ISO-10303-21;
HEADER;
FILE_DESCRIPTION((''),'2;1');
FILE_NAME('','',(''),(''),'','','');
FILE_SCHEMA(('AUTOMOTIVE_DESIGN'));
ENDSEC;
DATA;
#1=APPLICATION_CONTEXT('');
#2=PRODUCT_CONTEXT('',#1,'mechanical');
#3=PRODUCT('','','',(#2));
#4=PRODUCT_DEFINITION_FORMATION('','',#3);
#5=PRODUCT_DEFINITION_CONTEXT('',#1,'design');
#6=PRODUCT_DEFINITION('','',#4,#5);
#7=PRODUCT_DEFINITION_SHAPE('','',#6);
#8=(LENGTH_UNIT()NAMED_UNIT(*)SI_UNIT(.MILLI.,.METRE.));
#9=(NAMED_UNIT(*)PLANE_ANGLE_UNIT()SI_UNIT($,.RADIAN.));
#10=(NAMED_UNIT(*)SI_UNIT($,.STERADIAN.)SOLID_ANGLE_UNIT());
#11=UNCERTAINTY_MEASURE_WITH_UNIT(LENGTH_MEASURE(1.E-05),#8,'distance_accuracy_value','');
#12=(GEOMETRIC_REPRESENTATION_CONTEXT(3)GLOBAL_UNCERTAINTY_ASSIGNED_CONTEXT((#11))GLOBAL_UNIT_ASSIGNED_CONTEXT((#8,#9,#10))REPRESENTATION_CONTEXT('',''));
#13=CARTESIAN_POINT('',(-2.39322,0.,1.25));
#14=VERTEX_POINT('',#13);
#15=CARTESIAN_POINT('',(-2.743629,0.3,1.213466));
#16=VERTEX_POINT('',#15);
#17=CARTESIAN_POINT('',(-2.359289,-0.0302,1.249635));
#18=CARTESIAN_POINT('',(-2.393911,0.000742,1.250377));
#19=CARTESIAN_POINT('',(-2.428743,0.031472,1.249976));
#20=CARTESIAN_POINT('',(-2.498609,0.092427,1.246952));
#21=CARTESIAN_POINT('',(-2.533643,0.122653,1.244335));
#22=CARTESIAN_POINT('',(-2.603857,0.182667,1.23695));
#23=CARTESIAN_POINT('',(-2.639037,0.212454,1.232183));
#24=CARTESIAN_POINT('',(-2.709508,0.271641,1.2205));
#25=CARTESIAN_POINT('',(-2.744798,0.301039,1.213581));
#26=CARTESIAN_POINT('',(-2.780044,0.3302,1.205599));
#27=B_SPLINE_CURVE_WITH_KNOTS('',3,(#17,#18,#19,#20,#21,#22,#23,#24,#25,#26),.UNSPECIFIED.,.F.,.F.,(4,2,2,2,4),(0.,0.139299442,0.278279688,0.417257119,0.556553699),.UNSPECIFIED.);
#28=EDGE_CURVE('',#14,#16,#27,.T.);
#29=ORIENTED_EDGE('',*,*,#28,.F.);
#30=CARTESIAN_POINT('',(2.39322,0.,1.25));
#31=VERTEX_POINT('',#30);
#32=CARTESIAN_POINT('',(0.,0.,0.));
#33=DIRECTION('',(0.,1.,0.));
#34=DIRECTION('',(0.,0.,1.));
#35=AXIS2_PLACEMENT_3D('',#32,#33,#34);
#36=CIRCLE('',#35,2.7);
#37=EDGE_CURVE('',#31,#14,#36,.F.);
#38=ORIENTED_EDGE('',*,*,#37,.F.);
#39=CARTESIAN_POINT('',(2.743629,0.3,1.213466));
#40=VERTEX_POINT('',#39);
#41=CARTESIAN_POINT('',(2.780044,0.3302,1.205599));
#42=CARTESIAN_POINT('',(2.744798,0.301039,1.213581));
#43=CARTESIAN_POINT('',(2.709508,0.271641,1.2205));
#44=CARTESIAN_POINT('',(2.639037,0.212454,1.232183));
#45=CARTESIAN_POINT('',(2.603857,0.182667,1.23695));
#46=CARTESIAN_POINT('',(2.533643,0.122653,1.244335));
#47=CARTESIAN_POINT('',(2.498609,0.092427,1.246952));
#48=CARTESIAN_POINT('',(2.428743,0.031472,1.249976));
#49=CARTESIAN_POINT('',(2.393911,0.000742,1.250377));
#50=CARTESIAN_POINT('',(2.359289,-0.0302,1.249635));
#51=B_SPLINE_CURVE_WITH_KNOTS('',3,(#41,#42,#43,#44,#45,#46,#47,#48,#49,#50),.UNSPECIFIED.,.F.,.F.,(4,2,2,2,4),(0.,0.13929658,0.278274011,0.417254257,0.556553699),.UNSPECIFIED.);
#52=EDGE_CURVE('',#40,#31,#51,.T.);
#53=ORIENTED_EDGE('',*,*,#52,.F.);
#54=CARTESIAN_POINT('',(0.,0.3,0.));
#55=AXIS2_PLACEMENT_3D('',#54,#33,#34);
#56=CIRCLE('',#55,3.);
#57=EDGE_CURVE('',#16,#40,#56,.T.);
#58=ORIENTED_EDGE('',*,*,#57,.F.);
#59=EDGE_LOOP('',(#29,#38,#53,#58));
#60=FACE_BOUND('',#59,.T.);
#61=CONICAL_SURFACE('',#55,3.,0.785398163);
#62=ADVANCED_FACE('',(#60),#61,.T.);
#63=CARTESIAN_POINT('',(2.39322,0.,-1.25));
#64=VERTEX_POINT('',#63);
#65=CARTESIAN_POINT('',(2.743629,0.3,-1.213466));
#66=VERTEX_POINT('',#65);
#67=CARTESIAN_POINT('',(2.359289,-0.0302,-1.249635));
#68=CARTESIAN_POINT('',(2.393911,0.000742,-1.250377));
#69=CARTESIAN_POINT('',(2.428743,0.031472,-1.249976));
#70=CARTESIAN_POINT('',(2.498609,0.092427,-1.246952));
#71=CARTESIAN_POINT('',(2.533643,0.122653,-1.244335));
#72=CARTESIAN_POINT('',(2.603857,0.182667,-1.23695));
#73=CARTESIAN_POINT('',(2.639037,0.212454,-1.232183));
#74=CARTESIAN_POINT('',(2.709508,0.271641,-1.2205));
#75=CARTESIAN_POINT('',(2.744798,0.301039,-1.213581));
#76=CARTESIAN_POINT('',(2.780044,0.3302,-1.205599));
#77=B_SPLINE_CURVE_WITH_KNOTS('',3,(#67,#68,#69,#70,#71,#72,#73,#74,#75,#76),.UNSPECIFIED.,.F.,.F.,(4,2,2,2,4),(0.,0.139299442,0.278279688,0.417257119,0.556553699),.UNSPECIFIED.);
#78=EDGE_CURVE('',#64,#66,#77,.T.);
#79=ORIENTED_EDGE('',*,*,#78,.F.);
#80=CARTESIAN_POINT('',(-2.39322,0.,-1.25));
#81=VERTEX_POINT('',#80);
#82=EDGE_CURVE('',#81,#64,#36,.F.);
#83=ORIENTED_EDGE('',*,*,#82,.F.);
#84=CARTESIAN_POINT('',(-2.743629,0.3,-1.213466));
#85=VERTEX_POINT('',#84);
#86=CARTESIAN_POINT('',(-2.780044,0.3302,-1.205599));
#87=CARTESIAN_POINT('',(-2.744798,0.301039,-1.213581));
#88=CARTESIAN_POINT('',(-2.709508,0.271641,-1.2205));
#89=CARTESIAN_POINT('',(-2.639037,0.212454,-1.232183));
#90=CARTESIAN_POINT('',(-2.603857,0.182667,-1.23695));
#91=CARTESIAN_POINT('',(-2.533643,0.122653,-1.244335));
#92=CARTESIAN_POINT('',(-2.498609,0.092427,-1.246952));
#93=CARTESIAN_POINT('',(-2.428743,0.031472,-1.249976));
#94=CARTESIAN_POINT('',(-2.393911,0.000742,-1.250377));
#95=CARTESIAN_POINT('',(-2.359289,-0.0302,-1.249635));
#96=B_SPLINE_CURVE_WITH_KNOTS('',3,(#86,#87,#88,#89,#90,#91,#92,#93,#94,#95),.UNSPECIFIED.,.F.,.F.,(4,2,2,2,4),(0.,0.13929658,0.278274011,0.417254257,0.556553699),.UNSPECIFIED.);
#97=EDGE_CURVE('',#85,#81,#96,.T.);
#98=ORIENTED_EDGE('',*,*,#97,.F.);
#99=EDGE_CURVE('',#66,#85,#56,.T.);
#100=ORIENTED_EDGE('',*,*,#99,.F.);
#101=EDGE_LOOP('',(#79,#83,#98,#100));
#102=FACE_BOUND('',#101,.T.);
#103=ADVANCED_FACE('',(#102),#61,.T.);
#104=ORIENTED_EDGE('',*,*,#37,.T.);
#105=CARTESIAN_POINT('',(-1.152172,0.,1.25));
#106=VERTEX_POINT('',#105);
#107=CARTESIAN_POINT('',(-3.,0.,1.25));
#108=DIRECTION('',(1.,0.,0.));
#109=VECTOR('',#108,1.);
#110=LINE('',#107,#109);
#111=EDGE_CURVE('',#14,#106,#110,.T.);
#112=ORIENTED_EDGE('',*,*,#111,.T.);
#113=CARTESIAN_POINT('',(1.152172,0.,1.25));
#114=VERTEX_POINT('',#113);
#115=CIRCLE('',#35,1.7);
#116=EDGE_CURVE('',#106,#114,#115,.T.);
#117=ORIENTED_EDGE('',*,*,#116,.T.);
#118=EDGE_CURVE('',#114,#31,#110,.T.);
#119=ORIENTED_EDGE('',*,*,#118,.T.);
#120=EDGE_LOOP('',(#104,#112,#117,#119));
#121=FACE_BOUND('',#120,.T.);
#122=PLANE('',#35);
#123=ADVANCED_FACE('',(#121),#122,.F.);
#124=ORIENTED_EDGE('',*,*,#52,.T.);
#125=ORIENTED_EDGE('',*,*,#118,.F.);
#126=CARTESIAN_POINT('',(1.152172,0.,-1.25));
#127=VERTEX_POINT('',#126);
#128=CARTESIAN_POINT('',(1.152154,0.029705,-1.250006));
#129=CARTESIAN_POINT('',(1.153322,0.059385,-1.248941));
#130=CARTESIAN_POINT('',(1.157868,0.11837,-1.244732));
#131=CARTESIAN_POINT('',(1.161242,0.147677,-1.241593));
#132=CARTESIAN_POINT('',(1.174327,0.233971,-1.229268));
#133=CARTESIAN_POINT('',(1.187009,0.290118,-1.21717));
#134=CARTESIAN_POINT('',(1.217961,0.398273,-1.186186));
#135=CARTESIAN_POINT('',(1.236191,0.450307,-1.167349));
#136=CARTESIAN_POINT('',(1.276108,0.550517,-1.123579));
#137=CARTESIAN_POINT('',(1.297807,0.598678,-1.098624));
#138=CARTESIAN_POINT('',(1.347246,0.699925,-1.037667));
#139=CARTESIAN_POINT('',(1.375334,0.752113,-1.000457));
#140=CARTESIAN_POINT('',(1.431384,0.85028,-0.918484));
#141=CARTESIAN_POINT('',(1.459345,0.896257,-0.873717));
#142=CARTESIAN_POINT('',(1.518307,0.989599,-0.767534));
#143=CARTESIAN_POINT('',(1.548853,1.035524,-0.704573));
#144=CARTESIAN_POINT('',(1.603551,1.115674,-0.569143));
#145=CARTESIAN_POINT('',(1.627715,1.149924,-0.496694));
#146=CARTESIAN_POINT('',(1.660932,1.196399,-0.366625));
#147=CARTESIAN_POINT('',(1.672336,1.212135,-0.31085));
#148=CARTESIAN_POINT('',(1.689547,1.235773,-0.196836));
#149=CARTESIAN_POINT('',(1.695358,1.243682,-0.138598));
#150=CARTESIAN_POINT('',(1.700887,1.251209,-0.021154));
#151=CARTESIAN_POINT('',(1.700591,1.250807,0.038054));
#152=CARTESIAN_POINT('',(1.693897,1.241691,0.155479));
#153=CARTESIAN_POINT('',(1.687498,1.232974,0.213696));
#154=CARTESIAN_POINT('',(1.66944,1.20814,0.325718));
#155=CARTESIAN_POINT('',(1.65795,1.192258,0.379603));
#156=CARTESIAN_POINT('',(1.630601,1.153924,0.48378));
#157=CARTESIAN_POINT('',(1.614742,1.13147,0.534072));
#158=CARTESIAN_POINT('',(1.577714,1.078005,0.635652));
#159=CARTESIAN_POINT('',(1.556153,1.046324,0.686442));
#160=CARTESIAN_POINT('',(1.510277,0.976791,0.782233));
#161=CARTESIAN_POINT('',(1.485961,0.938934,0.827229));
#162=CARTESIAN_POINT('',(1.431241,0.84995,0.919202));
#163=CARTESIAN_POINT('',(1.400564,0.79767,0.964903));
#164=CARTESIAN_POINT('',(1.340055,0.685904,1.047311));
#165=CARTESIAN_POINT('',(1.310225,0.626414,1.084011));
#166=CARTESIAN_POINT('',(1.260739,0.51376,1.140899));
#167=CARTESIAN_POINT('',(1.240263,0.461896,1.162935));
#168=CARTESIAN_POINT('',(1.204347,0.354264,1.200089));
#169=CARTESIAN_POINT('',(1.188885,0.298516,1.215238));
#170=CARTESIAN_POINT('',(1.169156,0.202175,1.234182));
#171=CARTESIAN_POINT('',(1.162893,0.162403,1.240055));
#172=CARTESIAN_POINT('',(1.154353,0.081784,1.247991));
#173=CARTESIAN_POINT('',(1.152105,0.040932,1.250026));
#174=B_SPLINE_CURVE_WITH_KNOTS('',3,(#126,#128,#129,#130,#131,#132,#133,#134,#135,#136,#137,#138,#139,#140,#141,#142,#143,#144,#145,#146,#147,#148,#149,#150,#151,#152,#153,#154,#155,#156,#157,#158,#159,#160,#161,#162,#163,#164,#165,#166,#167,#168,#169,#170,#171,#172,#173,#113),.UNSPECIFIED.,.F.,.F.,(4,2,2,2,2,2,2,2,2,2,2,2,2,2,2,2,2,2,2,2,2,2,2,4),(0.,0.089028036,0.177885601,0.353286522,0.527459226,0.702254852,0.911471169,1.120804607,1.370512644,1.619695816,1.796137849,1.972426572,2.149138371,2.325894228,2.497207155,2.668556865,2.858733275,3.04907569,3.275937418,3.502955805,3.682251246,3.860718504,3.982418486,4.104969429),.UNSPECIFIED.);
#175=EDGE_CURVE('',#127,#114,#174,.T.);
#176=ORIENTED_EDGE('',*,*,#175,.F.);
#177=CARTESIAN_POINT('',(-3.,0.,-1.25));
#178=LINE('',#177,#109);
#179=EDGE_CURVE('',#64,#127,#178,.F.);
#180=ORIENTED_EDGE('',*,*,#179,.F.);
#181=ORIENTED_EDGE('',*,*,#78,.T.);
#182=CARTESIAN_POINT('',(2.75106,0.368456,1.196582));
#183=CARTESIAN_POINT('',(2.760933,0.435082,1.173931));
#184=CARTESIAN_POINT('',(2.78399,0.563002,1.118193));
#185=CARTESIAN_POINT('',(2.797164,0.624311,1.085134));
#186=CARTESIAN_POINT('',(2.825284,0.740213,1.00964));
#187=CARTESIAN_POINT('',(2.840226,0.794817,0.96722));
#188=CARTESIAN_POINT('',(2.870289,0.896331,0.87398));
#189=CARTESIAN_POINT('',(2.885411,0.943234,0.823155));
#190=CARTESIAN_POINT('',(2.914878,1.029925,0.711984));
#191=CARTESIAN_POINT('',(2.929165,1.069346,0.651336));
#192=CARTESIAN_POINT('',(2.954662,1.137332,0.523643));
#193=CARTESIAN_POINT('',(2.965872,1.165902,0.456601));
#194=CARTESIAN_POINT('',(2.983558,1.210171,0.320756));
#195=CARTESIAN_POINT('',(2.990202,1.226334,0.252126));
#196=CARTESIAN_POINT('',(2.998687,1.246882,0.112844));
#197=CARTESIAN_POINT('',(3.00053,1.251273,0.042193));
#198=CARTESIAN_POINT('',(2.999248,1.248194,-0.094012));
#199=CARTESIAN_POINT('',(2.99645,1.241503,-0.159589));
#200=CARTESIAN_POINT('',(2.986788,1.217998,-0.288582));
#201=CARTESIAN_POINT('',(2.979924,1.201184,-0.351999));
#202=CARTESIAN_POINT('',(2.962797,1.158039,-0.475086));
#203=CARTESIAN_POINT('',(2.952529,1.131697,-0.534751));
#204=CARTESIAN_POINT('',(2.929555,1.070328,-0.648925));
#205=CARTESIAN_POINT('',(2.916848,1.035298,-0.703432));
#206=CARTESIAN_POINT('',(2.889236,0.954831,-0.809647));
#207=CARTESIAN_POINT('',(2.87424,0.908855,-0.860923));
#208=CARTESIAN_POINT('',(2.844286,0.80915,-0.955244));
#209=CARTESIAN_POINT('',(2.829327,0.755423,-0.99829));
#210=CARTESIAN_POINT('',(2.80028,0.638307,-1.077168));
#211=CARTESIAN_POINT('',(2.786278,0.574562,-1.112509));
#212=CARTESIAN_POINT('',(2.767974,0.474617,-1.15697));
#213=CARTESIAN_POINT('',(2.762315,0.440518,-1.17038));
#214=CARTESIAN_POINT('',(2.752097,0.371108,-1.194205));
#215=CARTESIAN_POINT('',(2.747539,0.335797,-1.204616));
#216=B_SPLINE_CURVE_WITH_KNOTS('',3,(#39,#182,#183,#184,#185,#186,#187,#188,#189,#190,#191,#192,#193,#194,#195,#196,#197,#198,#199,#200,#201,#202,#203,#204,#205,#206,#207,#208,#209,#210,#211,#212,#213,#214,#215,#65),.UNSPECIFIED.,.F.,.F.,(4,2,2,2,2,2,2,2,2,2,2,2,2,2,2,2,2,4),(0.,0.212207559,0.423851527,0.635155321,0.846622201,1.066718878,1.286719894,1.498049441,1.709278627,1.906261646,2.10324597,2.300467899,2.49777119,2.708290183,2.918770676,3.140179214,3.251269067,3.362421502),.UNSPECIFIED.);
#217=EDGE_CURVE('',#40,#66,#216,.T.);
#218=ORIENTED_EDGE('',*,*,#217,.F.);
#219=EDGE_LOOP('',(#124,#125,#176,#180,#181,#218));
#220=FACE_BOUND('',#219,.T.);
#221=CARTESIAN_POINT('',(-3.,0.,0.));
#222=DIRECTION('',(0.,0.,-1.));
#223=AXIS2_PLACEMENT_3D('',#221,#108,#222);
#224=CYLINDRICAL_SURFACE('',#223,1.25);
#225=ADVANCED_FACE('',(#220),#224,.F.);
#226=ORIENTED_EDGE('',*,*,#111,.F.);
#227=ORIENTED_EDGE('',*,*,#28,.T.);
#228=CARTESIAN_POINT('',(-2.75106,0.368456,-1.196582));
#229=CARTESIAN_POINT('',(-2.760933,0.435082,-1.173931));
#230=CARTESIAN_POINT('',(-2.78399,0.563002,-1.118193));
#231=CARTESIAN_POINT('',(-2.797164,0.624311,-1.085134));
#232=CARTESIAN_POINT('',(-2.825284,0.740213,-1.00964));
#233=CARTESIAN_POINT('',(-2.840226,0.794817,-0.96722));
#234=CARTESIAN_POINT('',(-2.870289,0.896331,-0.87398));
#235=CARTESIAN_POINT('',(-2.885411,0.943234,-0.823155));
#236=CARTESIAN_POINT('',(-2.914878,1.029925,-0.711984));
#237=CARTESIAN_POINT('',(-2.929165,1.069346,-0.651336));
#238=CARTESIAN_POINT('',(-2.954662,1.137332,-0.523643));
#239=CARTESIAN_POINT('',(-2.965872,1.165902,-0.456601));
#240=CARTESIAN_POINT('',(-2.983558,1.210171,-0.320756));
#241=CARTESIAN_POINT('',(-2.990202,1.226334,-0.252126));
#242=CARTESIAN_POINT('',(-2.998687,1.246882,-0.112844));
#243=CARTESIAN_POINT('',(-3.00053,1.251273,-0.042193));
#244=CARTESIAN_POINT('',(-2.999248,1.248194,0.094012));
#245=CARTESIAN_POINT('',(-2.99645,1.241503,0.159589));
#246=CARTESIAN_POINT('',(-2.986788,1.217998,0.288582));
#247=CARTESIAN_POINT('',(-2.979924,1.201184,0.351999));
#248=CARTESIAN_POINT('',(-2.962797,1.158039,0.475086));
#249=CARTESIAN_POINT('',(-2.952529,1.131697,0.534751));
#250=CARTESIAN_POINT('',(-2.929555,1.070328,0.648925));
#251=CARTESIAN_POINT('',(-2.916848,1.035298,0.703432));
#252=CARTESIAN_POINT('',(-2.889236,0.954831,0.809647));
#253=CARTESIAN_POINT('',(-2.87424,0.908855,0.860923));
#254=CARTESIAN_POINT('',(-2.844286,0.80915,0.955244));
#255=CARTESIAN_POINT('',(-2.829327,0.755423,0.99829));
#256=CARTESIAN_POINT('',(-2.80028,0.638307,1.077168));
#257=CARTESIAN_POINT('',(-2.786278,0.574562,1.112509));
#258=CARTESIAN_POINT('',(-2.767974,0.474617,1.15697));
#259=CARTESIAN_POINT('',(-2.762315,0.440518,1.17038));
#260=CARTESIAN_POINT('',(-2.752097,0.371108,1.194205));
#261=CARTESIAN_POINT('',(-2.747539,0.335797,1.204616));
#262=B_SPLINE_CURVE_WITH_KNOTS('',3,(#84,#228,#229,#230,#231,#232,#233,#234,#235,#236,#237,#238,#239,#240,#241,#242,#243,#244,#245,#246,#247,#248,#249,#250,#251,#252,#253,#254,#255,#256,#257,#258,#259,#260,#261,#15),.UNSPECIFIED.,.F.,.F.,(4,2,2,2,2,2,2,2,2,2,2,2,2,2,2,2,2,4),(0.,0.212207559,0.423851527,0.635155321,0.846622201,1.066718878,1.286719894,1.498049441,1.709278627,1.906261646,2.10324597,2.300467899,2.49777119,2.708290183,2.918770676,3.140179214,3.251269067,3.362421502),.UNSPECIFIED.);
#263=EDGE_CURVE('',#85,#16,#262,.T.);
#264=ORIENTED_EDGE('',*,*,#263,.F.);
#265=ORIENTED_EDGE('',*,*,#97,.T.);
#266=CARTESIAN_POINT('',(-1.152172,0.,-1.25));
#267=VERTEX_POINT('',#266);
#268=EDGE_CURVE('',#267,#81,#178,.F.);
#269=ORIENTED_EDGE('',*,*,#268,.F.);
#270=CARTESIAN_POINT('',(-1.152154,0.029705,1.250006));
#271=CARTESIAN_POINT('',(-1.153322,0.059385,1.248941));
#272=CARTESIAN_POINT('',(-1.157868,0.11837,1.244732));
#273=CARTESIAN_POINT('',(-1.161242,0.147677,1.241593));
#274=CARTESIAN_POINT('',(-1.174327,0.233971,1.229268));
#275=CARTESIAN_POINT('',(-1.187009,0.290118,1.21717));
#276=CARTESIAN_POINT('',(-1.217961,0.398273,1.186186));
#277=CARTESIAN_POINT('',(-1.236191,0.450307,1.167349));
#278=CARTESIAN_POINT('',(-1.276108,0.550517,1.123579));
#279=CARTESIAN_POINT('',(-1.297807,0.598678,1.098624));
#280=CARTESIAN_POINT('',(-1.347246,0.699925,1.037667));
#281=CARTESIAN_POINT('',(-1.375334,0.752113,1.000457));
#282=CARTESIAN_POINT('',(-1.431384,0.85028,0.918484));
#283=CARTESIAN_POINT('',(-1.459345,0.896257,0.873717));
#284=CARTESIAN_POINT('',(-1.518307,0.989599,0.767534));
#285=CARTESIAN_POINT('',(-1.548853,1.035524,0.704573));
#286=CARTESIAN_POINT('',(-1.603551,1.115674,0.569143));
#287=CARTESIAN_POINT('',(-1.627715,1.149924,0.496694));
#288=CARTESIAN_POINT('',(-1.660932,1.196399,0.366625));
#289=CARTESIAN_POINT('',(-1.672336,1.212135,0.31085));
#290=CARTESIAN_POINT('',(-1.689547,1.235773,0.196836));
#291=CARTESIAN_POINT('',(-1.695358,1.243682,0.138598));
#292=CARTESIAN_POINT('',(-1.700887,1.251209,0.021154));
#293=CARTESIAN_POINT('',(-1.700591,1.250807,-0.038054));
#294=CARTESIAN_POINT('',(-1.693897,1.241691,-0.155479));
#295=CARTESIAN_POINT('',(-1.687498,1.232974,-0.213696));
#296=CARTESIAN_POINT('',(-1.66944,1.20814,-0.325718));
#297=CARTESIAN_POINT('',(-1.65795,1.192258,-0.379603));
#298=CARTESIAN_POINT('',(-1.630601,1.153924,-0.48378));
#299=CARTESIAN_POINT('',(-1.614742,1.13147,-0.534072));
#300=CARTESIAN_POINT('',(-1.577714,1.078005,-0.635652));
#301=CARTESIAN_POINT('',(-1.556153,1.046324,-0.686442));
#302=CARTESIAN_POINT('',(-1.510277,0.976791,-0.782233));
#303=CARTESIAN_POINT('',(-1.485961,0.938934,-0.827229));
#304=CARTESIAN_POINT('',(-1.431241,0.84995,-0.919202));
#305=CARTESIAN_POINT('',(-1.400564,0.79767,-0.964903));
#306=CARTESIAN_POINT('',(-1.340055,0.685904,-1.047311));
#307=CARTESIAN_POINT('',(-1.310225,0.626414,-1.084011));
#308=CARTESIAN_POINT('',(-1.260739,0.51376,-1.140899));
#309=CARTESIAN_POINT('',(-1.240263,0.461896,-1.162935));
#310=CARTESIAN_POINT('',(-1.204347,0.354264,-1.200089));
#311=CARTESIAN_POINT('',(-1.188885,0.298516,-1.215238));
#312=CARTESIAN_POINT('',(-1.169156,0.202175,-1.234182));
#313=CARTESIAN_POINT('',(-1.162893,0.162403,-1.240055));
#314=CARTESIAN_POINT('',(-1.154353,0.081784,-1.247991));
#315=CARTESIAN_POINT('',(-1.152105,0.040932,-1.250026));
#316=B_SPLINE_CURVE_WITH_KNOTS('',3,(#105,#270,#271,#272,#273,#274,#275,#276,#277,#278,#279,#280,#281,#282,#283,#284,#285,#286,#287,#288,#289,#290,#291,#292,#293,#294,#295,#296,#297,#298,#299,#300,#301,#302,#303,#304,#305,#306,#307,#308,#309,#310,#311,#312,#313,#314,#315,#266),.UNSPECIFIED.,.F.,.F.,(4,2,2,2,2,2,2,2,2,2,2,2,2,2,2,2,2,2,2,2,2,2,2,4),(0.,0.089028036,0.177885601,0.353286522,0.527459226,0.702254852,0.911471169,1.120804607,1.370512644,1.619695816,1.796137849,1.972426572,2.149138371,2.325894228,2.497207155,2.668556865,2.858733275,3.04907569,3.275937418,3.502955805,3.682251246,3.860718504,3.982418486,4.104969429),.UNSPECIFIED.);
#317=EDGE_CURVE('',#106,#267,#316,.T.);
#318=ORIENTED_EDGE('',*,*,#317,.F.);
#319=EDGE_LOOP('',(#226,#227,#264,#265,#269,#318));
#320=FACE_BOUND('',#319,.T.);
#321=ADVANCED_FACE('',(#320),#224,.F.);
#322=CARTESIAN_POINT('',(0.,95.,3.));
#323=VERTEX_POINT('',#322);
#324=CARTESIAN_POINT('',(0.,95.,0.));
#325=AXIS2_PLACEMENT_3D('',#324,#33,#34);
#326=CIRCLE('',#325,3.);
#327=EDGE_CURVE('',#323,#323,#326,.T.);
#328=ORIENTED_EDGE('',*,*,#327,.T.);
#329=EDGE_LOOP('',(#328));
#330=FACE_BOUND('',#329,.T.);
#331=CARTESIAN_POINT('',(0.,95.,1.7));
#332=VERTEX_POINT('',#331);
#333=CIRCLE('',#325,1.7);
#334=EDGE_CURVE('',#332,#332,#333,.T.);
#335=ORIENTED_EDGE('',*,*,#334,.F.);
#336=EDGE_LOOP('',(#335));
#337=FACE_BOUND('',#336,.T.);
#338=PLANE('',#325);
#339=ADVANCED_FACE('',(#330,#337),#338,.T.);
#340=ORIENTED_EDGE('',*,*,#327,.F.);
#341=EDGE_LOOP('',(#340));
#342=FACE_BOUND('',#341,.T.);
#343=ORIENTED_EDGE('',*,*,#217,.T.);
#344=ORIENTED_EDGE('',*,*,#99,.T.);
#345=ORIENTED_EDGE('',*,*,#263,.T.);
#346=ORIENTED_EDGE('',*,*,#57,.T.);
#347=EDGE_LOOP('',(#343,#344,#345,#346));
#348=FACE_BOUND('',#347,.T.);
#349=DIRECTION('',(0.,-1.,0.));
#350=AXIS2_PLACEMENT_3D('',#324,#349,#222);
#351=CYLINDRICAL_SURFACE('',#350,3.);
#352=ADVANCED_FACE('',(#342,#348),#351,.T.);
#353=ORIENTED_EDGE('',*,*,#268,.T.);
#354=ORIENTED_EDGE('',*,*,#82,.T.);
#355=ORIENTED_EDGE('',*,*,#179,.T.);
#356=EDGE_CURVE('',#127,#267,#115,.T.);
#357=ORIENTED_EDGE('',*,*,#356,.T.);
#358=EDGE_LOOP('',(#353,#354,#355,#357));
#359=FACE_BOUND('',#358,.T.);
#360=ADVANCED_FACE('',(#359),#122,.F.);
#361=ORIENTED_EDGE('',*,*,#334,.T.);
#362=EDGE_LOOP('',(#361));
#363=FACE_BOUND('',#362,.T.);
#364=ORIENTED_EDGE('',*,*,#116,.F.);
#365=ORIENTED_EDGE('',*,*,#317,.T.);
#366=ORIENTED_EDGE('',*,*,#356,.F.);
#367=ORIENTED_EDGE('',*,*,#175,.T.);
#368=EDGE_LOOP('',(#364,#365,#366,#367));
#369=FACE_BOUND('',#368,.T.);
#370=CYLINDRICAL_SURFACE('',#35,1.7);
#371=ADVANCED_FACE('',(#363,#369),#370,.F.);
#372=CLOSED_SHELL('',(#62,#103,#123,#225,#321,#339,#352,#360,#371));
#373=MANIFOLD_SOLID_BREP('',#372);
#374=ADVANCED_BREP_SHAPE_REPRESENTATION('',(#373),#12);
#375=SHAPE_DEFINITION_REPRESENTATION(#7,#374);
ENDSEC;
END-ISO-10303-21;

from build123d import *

# Parameters (mm, degrees)
SKETCH1_R               = 3
BOSS_EXTRUDE1_DEPTH     = 95
SKETCH2_R               = 1.7
CUT_EXTRUDE1_DEPTH      = 96.094689652
CHAMFER1_SIZE           = 0.3
CUT_EXTRUDE2_DEPTH      = 96.094689652
CUT_EXTRUDE2_DEPTH_BACK = 96.094689652
SKETCH3_R               = 1.25


with BuildPart() as part:
    # Sketch1 → Boss-Extrude1 (new body)
    with BuildSketch(Plane(origin=(0, 0, 0), x_dir=(1, 0, 0), z_dir=(0, 1, 0))):
        with Locations(Location((0, 0, 0), (0, 0, 270))):
            Circle(SKETCH1_R)
    extrude(amount=BOSS_EXTRUDE1_DEPTH)

    # Sketch2 → Cut-Extrude1 (cut, through all)
    with BuildSketch(Plane(origin=(0, 95, 0), x_dir=(1, 0, 0), z_dir=(0, 1, 0))):
        with Locations(Location((0, 0, 0), (0, 0, 270))):
            Circle(SKETCH2_R)
    extrude(amount=-CUT_EXTRUDE1_DEPTH, mode=Mode.SUBTRACT)

    # Chamfer1
    chamfer1_edges = [part.edges().sort_by_distance(p)[0] for p in [
        (0, 0, -3),
    ]]
    chamfer(chamfer1_edges, length=CHAMFER1_SIZE)

    # Sketch3 → Cut-Extrude2 (cut, two sides: drawn at the far end of the back side and taken through both)
    with BuildSketch(Plane(origin=(0, 0, 0), x_dir=(0, 0, -1), z_dir=(1, 0, 0)).offset(-CUT_EXTRUDE2_DEPTH_BACK)):
        Circle(SKETCH3_R)
    extrude(amount=CUT_EXTRUDE2_DEPTH + CUT_EXTRUDE2_DEPTH_BACK, mode=Mode.SUBTRACT)


solid = part.part
